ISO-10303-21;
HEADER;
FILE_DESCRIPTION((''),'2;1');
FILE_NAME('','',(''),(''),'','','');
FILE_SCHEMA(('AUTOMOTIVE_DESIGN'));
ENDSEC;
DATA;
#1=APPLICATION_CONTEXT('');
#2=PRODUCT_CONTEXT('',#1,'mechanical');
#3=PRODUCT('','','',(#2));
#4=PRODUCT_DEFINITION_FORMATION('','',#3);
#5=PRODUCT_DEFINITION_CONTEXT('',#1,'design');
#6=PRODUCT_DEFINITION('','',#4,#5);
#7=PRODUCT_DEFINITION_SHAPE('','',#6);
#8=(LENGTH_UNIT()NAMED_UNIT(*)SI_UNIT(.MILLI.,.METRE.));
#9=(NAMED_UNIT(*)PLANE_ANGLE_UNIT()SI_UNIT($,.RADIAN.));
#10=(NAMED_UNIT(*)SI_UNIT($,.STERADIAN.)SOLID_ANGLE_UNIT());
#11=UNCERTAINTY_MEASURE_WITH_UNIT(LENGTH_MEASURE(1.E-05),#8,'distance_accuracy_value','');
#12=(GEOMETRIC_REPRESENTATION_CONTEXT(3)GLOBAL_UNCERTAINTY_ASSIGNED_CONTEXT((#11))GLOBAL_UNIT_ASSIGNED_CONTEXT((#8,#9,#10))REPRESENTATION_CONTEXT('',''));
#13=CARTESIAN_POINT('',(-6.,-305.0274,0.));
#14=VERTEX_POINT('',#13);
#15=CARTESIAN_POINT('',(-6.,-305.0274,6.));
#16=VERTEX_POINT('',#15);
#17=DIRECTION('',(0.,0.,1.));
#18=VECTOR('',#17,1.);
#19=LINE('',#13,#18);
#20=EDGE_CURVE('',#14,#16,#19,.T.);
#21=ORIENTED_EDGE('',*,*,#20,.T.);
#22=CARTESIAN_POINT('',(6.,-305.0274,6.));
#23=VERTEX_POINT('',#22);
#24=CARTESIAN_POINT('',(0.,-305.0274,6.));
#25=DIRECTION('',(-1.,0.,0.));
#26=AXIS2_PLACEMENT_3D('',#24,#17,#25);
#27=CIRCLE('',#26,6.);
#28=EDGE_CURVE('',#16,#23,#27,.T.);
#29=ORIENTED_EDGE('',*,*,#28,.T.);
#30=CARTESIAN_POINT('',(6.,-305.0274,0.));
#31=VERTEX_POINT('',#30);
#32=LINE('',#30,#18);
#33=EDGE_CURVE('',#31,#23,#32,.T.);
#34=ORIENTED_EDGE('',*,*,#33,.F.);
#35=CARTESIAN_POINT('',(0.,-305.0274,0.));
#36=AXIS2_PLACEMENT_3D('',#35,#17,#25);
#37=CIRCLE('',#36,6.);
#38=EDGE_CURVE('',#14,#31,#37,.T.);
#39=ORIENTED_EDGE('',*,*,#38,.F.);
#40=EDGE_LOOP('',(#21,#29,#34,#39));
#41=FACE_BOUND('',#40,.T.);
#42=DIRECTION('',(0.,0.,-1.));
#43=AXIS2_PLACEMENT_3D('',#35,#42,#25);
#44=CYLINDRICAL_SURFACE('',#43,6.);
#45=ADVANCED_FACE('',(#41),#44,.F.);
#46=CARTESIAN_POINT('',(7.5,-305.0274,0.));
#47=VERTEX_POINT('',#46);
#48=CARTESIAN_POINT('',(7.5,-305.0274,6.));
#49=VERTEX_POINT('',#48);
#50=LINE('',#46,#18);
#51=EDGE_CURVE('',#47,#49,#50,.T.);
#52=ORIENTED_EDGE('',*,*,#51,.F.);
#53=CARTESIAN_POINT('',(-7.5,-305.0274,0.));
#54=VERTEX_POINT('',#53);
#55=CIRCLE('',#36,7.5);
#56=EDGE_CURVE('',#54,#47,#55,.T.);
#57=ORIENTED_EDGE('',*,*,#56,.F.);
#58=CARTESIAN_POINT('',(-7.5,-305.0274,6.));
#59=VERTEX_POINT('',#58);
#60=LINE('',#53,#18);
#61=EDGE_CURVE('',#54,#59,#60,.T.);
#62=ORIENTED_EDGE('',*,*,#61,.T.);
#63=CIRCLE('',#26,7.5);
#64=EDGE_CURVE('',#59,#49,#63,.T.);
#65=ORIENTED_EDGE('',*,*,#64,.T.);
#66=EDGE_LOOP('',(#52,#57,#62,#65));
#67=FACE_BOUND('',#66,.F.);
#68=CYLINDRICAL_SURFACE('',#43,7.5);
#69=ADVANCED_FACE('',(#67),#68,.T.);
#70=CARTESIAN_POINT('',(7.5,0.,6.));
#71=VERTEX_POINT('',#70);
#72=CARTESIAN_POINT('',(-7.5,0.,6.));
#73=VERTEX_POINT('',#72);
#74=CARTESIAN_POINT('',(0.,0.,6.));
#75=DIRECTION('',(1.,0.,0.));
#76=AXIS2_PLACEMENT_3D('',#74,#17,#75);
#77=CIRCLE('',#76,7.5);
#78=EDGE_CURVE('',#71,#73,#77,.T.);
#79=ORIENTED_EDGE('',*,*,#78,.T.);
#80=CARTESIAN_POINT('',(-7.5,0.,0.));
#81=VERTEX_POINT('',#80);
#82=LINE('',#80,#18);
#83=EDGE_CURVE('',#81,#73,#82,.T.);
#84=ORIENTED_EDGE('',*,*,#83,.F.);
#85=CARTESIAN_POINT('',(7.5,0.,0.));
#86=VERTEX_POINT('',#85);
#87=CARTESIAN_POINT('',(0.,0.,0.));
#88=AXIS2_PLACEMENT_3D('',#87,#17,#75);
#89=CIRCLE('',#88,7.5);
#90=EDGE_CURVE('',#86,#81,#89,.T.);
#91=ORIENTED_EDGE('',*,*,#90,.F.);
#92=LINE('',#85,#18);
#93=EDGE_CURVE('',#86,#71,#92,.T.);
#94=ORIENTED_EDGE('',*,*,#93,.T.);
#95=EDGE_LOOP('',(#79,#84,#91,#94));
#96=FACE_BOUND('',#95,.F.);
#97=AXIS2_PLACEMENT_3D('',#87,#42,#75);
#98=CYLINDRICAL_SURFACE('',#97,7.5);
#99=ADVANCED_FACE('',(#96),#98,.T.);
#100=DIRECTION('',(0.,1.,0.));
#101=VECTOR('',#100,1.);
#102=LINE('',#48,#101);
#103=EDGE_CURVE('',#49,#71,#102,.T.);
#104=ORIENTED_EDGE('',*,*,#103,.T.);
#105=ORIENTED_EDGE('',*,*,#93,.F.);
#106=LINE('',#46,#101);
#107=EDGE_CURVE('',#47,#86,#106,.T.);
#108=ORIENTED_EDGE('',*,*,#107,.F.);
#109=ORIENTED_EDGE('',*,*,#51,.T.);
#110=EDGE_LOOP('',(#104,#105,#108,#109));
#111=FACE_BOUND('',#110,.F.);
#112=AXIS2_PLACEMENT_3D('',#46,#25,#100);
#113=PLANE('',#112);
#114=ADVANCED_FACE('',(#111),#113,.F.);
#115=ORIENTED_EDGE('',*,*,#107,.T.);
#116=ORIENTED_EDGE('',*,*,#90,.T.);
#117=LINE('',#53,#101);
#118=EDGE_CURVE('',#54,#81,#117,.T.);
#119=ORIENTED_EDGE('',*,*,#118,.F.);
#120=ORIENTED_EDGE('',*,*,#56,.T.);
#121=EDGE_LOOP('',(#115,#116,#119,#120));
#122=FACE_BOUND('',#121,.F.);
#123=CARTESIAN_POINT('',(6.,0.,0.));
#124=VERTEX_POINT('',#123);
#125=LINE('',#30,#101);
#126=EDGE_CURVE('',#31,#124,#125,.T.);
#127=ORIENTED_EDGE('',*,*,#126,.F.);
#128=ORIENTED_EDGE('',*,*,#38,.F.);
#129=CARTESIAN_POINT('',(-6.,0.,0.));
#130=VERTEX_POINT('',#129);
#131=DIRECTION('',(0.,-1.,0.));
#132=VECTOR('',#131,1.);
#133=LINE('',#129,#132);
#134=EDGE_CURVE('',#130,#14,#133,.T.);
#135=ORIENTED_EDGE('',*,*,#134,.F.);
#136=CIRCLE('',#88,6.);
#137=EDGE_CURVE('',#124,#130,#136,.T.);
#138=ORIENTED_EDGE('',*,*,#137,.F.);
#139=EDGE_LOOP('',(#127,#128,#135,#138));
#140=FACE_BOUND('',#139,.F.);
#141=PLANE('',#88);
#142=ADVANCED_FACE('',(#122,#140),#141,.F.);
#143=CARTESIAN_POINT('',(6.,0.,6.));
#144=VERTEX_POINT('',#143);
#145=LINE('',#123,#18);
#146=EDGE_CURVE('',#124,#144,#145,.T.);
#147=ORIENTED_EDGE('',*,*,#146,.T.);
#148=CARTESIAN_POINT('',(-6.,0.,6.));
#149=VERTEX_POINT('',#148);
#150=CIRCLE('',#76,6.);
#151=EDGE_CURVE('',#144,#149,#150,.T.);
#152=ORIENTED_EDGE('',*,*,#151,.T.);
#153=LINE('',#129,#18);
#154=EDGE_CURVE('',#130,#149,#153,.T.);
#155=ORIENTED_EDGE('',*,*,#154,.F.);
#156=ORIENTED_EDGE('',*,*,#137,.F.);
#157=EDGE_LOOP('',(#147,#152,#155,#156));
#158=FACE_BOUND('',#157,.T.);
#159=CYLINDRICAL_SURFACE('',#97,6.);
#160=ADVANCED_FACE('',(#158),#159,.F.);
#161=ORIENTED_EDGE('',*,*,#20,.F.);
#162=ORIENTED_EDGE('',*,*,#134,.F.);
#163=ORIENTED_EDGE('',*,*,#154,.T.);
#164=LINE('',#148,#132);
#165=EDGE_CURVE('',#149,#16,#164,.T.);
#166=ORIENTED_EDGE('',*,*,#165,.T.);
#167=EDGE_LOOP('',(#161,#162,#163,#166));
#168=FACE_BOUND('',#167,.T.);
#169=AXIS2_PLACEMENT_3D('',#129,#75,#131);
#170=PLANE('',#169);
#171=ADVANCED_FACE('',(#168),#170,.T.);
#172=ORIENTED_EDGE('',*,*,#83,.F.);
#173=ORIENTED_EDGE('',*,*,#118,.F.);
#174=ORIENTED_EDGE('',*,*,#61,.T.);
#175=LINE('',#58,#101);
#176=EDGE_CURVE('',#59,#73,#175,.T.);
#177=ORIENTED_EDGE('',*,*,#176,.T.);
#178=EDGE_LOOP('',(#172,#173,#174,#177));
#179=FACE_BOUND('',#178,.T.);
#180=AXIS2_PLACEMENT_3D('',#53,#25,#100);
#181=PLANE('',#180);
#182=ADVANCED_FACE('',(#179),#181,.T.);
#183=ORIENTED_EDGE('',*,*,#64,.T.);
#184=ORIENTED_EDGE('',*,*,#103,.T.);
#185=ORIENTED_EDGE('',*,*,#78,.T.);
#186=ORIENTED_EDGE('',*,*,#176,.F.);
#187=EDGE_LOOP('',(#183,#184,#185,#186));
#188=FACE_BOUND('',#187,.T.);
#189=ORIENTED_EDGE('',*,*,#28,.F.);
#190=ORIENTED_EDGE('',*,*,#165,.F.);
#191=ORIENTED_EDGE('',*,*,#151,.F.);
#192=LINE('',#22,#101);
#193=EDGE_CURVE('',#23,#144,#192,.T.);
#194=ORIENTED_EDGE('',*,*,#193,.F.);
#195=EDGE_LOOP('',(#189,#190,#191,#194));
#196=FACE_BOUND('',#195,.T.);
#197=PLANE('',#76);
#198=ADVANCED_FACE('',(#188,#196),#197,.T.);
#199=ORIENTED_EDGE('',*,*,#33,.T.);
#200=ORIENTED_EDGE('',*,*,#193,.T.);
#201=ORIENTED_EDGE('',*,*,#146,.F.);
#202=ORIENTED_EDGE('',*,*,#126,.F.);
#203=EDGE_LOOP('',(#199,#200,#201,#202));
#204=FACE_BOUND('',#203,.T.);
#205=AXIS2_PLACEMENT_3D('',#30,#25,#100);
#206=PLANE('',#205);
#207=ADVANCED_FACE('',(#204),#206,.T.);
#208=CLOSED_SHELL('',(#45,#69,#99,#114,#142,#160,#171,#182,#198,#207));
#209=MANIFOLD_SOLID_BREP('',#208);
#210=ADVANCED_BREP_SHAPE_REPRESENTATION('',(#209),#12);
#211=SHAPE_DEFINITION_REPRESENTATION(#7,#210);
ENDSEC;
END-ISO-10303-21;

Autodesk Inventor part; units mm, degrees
ref_plane "YZ Plane" through (0, 0, 0) normal (1, 0, 0) x (0, 1, 0)
ref_plane "XZ Plane" through (0, 0, 0) normal (0, 1, 0) x (-1, 0, 0)
ref_plane "XY Plane" through (0, 0, 0) normal (0, 0, 1) x (1, 0, 0)
sketch "Skizze1" plane through (0, 0, 0) normal (0, 0, 1) x (1, 0, 0)
  arc A0 (6, 0) -> (-6, 0) centre (0, 0) ccw
  arc A1 (7.5, 0) -> (-7.5, 0) centre (0, 0) ccw
  arc A2 (-6, -305.0274) -> (6, -305.0274) centre (0, -305.0274) ccw
  line L0 (0, -305.0274) -> (6, -305.0274) construction
  line L1 (0, -305.0274) -> (-6, -305.0274) construction
  arc A3 (-7.5, -305.0274) -> (7.5, -305.0274) centre (0, -305.0274) ccw
  line L2 (0, -305.0274) -> (7.5, -305.0274) construction
  line L3 (0, -305.0274) -> (-7.5, -305.0274) construction
  line L4 (-7.5, -305.0274) -> (-7.5, 0)
  line L5 (-6, 0) -> (-6, -305.0274)
  line L6 (6, -305.0274) -> (6, 0)
  line L7 (7.5, -305.0274) -> (7.5, 0)
  dimension "d0" = 6
  dimension "d1" = 7.5
  dimension "d2" = 6
  dimension "d3" = 180
  dimension "d4" = 7.5
  dimension "d5" = 180
  dimension "d6" = 305.0274
  dimension "d7" = 0
extrude "Extrusion1" add sketch "Skizze1" along normal blind 6
properties part number "Y belt" material "Gummi, Silikon"
